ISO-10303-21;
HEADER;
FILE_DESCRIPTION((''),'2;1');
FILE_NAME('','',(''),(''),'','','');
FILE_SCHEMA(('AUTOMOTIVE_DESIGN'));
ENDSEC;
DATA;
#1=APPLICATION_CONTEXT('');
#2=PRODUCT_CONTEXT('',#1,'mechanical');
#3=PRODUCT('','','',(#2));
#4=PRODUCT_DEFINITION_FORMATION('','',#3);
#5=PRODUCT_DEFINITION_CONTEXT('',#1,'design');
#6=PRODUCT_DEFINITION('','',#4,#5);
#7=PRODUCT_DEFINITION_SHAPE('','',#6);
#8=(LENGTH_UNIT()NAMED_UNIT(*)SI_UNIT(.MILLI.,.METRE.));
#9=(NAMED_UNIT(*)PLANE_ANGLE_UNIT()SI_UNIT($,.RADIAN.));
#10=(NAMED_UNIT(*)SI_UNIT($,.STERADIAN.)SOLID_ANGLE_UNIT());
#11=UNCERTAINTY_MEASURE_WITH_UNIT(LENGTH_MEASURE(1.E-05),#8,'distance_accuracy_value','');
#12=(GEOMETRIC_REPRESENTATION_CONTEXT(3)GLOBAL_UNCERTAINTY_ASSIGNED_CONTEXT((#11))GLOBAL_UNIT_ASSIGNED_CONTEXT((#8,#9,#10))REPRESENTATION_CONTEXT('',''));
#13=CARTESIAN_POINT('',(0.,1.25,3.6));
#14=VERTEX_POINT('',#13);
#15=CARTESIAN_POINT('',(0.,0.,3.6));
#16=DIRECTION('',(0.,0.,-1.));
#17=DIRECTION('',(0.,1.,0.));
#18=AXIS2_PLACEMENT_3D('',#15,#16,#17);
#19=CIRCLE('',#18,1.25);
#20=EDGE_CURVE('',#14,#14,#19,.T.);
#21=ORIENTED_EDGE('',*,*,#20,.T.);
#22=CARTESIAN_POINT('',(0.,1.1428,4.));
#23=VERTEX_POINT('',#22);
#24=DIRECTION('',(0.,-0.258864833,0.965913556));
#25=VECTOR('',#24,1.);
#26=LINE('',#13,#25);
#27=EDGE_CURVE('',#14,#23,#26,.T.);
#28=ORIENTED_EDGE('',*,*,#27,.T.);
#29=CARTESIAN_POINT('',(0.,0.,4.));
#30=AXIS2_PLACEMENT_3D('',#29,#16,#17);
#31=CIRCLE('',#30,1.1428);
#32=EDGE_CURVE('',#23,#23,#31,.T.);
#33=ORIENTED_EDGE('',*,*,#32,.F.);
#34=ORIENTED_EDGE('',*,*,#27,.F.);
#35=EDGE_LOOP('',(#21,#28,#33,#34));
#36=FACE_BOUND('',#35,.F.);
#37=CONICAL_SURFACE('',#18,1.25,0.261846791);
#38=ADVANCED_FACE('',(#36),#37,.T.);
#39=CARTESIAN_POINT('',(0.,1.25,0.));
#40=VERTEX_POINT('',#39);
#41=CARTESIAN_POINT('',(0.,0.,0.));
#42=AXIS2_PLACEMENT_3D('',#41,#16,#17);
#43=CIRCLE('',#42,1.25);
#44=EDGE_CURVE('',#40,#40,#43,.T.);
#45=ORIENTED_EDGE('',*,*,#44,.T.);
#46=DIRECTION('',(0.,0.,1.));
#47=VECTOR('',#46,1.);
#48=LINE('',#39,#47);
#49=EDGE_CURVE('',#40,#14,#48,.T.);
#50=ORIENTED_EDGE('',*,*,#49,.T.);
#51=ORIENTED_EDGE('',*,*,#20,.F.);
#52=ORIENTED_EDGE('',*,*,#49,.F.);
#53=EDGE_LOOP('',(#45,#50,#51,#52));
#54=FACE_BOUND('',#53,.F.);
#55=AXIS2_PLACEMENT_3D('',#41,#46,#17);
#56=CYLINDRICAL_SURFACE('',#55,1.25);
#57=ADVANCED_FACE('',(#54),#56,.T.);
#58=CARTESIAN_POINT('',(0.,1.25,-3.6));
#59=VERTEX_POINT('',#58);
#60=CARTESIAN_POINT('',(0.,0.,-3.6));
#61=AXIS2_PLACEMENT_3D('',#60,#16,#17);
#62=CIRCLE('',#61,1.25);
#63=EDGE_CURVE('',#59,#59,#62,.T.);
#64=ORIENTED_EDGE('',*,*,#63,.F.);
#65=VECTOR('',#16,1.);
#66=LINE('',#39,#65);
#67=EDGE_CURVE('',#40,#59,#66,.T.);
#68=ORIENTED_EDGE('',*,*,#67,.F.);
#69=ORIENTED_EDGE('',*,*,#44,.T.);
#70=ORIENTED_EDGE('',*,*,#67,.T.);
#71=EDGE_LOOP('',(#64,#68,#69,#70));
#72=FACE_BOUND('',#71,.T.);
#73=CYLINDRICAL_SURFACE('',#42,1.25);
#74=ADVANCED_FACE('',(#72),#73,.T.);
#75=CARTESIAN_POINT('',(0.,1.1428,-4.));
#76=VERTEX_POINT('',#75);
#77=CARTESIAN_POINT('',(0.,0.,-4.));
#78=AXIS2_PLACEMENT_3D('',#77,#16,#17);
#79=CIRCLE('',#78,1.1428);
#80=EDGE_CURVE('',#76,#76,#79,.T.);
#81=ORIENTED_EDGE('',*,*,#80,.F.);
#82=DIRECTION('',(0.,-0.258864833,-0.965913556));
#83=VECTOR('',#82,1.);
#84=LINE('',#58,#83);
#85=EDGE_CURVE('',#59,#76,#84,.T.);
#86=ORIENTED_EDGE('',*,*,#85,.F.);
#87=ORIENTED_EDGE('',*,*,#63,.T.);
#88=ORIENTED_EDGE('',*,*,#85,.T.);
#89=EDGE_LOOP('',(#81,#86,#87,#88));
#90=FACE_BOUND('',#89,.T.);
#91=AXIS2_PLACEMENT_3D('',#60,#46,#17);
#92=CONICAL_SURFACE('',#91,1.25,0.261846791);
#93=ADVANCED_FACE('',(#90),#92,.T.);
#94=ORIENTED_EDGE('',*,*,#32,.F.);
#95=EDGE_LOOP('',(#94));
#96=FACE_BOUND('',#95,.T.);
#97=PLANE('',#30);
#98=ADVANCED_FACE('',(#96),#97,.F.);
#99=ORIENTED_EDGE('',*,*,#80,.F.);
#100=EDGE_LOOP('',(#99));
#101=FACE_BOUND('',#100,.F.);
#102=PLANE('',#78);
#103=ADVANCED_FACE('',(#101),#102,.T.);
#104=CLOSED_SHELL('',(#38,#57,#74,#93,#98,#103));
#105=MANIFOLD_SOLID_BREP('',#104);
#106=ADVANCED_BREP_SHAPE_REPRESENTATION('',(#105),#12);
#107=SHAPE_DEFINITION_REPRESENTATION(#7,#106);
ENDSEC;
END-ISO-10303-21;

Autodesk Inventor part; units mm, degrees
ref_plane "YZ Plane" through (0, 0, 0) normal (1, 0, 0) x (0, 1, 0)
ref_plane "XZ Plane" through (0, 0, 0) normal (0, 1, 0) x (-1, 0, 0)
ref_plane "XY Plane" through (0, 0, 0) normal (0, 0, 1) x (1, 0, 0)
sketch "スケッチ2" plane through (0, 0, 0) normal (1, 0, 0) x (0, 1, 0)
  line L0 (0, 8.3427) -> (0, -27.8463) construction
  line L1 (1.25, 0) -> (-22.4246, 0) construction
  line L2 (0, 4) -> (1.1428, 4)
  line L3 (1.25, 0) -> (1.25, 3.6)
  line L4 (1.25, 3.6) -> (1.25, 4) construction
  line L5 (1.25, 3.6) -> (1.1428, 4)
  line L6 (1.1428, 4) -> (1.25, 4) construction
  line L7 (0, -4) -> (1.1428, -4)
  line L8 (1.25, 0) -> (1.25, -3.6)
  line L9 (1.25, -3.6) -> (1.25, -4) construction
  line L10 (1.25, -3.6) -> (1.1428, -4)
  line L11 (1.1428, -4) -> (1.25, -4) construction
  line L12 (0, 4) -> (0, -4)
  point P0 (0, 0)
  dimension "d0" = 1.25
  dimension "d1" = 4
  dimension "d2" = 0.4
  dimension "d3" = 15
revolve "回転1" add sketch "スケッチ2" angle 360 about axis through (0, 0, 8.3427) along (0, 0, -1)
properties part number "φ2.5ピン 8" material "ステンレス鋼"
